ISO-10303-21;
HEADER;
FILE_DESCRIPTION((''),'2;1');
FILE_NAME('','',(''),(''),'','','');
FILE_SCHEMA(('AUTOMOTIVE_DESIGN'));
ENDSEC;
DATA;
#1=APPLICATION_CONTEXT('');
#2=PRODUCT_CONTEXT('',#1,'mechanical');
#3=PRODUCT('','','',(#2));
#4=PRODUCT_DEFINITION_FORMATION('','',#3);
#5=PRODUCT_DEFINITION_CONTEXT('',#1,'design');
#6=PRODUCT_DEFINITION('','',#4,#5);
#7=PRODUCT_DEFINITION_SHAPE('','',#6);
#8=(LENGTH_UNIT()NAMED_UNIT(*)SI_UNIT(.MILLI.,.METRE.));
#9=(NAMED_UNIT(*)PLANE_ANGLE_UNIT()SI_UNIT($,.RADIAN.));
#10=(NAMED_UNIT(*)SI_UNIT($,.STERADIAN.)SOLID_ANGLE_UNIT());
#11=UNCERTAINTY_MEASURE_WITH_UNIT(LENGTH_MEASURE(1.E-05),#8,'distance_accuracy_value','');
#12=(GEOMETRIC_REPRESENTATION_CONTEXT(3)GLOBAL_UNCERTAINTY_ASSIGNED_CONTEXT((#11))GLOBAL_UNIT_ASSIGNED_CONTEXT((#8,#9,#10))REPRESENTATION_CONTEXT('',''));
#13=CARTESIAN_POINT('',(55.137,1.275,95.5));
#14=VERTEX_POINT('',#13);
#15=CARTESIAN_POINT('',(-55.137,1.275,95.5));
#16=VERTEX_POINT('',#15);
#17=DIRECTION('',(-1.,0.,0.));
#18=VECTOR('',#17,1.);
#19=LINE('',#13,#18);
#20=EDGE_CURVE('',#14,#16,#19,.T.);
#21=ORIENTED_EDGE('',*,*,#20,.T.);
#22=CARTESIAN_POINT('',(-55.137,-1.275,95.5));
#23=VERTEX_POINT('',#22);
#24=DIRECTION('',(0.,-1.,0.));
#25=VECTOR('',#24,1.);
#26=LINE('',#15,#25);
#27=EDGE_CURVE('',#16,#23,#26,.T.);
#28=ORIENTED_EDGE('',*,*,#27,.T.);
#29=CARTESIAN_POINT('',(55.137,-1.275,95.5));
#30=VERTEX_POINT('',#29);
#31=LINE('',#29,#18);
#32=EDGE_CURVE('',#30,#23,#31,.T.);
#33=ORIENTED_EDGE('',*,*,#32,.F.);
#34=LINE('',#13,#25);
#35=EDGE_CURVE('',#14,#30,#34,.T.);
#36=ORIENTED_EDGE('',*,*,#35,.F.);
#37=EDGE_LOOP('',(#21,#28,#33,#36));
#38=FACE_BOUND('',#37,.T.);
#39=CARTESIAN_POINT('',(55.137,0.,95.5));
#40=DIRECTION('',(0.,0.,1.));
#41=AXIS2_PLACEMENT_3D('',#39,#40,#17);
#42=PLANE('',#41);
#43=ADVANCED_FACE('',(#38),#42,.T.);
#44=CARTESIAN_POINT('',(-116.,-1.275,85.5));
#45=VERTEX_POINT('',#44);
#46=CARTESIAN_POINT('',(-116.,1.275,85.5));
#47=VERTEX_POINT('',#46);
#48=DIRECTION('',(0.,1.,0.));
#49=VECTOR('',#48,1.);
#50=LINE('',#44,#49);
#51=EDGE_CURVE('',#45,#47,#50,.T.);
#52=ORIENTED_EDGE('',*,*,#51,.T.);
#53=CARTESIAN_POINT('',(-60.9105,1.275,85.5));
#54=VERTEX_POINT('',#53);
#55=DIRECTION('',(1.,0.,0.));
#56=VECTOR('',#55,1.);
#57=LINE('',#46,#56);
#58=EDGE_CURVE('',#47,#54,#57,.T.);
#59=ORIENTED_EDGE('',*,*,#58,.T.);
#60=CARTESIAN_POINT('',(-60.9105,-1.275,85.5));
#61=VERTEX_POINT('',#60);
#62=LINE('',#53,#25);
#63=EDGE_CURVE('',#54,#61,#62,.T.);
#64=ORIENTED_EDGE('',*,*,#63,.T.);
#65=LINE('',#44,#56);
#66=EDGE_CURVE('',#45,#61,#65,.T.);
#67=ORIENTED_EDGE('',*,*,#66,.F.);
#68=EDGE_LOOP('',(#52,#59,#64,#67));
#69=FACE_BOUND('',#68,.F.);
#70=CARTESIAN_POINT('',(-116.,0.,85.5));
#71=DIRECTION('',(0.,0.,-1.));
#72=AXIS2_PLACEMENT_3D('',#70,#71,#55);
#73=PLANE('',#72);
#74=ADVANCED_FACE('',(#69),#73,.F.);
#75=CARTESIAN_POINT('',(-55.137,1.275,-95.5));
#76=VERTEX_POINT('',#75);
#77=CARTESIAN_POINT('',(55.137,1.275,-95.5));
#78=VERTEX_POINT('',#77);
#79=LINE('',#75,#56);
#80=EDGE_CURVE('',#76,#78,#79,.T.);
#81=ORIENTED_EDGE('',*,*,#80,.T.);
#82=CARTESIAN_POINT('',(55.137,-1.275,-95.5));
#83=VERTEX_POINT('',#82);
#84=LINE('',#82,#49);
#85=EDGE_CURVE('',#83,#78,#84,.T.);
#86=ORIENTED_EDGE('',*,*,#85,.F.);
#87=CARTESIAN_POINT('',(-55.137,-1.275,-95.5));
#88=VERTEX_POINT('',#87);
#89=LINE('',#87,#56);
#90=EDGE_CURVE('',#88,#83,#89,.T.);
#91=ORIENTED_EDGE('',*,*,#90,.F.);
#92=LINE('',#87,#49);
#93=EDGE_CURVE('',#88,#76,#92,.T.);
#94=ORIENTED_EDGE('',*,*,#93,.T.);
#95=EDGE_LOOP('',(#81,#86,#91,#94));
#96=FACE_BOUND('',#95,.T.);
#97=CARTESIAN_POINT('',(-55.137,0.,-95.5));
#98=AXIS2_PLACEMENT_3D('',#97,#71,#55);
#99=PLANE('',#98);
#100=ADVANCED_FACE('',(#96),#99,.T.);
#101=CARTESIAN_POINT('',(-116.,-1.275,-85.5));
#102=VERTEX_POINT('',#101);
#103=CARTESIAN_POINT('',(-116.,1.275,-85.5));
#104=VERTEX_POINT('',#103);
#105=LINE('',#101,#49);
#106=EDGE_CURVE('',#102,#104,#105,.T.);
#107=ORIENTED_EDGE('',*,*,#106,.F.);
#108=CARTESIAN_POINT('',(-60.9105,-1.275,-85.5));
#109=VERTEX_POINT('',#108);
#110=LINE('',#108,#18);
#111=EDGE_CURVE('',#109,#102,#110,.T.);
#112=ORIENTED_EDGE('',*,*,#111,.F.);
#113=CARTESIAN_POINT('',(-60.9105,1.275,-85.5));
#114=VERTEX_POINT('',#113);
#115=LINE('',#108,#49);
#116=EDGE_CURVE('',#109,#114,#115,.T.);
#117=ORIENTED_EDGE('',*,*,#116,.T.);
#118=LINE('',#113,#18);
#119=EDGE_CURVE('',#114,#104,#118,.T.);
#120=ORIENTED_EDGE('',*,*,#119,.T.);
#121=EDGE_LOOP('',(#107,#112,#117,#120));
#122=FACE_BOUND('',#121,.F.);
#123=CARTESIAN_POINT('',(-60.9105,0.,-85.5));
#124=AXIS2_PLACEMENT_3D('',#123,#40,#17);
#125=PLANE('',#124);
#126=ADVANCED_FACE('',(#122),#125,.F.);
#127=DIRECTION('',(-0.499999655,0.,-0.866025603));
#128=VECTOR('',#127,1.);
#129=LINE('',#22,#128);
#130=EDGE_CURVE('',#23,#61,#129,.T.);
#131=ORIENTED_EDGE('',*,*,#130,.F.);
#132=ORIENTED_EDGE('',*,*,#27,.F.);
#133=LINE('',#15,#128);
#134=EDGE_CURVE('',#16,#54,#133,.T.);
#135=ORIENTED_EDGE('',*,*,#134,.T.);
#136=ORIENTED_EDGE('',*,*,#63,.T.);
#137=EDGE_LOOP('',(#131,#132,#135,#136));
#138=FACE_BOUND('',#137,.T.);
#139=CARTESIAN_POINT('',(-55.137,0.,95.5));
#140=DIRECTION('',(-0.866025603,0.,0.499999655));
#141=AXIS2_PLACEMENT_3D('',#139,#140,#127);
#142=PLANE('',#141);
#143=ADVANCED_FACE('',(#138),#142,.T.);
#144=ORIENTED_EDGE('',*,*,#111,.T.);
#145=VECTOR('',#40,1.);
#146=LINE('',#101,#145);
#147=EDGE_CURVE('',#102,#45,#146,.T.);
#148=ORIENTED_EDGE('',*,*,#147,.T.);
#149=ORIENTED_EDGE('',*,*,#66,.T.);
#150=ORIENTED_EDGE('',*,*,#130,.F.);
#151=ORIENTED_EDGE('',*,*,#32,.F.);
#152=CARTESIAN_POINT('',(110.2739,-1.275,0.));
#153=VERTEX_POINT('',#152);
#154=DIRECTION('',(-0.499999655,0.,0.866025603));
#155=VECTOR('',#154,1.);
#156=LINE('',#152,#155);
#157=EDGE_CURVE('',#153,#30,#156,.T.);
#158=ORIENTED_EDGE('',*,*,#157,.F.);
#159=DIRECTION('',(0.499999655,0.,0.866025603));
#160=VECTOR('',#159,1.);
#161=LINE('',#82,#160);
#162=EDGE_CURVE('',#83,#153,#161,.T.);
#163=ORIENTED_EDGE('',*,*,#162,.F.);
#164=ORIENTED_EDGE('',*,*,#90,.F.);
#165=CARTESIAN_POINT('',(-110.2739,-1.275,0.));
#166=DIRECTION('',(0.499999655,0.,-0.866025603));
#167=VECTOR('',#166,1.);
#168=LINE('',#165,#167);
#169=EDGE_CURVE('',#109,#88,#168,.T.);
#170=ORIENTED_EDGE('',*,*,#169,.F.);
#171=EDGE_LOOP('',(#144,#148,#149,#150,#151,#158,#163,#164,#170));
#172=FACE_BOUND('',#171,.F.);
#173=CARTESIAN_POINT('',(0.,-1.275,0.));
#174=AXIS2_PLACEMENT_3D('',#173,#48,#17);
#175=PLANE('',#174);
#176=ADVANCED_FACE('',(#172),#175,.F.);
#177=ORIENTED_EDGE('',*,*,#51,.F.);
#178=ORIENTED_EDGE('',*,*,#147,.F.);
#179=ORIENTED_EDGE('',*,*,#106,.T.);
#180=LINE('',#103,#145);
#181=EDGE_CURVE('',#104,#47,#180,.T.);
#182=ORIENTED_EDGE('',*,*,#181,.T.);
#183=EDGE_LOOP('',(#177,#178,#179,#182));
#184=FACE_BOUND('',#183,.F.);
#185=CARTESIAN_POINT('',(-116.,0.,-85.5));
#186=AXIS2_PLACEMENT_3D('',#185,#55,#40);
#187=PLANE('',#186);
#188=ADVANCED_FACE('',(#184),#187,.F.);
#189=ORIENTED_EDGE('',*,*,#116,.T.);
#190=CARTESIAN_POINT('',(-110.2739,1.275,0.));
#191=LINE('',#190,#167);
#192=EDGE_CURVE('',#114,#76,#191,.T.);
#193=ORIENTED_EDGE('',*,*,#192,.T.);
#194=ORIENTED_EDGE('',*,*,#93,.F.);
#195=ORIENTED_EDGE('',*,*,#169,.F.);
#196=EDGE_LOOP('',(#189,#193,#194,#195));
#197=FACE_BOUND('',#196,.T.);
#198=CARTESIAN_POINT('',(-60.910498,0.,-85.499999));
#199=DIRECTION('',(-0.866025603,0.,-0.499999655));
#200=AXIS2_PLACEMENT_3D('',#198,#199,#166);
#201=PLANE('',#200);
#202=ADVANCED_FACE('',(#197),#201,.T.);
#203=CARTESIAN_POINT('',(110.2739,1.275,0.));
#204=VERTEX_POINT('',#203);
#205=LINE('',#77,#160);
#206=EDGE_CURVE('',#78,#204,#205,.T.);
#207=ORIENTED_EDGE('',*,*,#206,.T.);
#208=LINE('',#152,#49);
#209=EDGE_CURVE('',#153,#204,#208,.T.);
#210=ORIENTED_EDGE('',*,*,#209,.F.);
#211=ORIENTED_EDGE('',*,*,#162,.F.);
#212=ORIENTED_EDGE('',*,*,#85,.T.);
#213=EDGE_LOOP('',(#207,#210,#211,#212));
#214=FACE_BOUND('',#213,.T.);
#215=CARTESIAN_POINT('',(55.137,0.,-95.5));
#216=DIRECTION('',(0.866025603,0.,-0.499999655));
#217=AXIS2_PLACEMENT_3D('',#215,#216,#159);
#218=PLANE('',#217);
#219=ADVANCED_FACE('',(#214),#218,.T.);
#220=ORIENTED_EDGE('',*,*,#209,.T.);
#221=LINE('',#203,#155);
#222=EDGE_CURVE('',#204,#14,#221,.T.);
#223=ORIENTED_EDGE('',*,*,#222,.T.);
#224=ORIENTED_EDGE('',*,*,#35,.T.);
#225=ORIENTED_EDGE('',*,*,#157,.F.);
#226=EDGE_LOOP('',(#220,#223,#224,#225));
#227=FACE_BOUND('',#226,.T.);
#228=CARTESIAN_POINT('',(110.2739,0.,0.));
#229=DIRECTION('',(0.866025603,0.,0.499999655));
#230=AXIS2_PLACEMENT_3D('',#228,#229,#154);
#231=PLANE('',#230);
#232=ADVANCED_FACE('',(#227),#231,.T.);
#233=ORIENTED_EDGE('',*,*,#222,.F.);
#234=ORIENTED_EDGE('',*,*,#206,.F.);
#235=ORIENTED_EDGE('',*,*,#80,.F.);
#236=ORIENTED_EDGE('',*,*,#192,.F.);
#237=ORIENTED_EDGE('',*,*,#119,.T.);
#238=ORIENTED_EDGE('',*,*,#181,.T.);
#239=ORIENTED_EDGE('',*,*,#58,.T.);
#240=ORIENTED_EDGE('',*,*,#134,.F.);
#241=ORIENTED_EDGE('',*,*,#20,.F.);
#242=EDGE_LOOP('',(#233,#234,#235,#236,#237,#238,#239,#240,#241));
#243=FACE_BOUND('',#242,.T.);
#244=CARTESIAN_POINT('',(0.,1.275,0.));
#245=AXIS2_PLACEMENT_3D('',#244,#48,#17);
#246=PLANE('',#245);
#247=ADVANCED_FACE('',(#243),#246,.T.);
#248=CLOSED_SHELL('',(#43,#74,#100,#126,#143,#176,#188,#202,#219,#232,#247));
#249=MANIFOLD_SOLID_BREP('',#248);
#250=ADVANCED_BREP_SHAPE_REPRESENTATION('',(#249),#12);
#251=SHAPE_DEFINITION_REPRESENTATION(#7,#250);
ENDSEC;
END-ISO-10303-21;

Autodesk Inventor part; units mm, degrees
ref_plane "YZ Plane" through (0, 0, 0) normal (1, 0, 0) x (0, 1, 0)
ref_plane "XZ Plane" through (0, 0, 0) normal (0, 1, 0) x (-1, 0, 0)
ref_plane "XY Plane" through (0, 0, 0) normal (0, 0, 1) x (1, 0, 0)
sketch "Sketch1" plane through (0, 0, 0) normal (0, 1, 0) x (-1, 0, 0)
  line L0 (-110.2739, 0) -> (-55.137, 95.5)
  line L1 (-55.137, 95.5) -> (55.137, 95.5)
  line L2 (55.137, 95.5) -> (110.2739, 0)
  line L3 (110.2739, 0) -> (55.137, -95.5)
  line L4 (55.137, -95.5) -> (-55.137, -95.5)
  line L5 (-55.137, -95.5) -> (-110.2739, 0)
  line L6 (60.9105, -85.5) -> (116, -85.5)
  line L7 (116, -85.5) -> (116, 85.5)
  line L8 (116, 85.5) -> (60.9105, 85.5)
  point P0 (0, 0)
  point P1 (0, 0)
  point P2 (116, 0)
  dimension "d5" = 191
  dimension "d6" = 171
  dimension "d7" = 116
extrude "Extrusion1" add sketch "Sketch1" along normal mid plane 2.55
properties part number "PlayerTacticalMats_All" material "Paper"
